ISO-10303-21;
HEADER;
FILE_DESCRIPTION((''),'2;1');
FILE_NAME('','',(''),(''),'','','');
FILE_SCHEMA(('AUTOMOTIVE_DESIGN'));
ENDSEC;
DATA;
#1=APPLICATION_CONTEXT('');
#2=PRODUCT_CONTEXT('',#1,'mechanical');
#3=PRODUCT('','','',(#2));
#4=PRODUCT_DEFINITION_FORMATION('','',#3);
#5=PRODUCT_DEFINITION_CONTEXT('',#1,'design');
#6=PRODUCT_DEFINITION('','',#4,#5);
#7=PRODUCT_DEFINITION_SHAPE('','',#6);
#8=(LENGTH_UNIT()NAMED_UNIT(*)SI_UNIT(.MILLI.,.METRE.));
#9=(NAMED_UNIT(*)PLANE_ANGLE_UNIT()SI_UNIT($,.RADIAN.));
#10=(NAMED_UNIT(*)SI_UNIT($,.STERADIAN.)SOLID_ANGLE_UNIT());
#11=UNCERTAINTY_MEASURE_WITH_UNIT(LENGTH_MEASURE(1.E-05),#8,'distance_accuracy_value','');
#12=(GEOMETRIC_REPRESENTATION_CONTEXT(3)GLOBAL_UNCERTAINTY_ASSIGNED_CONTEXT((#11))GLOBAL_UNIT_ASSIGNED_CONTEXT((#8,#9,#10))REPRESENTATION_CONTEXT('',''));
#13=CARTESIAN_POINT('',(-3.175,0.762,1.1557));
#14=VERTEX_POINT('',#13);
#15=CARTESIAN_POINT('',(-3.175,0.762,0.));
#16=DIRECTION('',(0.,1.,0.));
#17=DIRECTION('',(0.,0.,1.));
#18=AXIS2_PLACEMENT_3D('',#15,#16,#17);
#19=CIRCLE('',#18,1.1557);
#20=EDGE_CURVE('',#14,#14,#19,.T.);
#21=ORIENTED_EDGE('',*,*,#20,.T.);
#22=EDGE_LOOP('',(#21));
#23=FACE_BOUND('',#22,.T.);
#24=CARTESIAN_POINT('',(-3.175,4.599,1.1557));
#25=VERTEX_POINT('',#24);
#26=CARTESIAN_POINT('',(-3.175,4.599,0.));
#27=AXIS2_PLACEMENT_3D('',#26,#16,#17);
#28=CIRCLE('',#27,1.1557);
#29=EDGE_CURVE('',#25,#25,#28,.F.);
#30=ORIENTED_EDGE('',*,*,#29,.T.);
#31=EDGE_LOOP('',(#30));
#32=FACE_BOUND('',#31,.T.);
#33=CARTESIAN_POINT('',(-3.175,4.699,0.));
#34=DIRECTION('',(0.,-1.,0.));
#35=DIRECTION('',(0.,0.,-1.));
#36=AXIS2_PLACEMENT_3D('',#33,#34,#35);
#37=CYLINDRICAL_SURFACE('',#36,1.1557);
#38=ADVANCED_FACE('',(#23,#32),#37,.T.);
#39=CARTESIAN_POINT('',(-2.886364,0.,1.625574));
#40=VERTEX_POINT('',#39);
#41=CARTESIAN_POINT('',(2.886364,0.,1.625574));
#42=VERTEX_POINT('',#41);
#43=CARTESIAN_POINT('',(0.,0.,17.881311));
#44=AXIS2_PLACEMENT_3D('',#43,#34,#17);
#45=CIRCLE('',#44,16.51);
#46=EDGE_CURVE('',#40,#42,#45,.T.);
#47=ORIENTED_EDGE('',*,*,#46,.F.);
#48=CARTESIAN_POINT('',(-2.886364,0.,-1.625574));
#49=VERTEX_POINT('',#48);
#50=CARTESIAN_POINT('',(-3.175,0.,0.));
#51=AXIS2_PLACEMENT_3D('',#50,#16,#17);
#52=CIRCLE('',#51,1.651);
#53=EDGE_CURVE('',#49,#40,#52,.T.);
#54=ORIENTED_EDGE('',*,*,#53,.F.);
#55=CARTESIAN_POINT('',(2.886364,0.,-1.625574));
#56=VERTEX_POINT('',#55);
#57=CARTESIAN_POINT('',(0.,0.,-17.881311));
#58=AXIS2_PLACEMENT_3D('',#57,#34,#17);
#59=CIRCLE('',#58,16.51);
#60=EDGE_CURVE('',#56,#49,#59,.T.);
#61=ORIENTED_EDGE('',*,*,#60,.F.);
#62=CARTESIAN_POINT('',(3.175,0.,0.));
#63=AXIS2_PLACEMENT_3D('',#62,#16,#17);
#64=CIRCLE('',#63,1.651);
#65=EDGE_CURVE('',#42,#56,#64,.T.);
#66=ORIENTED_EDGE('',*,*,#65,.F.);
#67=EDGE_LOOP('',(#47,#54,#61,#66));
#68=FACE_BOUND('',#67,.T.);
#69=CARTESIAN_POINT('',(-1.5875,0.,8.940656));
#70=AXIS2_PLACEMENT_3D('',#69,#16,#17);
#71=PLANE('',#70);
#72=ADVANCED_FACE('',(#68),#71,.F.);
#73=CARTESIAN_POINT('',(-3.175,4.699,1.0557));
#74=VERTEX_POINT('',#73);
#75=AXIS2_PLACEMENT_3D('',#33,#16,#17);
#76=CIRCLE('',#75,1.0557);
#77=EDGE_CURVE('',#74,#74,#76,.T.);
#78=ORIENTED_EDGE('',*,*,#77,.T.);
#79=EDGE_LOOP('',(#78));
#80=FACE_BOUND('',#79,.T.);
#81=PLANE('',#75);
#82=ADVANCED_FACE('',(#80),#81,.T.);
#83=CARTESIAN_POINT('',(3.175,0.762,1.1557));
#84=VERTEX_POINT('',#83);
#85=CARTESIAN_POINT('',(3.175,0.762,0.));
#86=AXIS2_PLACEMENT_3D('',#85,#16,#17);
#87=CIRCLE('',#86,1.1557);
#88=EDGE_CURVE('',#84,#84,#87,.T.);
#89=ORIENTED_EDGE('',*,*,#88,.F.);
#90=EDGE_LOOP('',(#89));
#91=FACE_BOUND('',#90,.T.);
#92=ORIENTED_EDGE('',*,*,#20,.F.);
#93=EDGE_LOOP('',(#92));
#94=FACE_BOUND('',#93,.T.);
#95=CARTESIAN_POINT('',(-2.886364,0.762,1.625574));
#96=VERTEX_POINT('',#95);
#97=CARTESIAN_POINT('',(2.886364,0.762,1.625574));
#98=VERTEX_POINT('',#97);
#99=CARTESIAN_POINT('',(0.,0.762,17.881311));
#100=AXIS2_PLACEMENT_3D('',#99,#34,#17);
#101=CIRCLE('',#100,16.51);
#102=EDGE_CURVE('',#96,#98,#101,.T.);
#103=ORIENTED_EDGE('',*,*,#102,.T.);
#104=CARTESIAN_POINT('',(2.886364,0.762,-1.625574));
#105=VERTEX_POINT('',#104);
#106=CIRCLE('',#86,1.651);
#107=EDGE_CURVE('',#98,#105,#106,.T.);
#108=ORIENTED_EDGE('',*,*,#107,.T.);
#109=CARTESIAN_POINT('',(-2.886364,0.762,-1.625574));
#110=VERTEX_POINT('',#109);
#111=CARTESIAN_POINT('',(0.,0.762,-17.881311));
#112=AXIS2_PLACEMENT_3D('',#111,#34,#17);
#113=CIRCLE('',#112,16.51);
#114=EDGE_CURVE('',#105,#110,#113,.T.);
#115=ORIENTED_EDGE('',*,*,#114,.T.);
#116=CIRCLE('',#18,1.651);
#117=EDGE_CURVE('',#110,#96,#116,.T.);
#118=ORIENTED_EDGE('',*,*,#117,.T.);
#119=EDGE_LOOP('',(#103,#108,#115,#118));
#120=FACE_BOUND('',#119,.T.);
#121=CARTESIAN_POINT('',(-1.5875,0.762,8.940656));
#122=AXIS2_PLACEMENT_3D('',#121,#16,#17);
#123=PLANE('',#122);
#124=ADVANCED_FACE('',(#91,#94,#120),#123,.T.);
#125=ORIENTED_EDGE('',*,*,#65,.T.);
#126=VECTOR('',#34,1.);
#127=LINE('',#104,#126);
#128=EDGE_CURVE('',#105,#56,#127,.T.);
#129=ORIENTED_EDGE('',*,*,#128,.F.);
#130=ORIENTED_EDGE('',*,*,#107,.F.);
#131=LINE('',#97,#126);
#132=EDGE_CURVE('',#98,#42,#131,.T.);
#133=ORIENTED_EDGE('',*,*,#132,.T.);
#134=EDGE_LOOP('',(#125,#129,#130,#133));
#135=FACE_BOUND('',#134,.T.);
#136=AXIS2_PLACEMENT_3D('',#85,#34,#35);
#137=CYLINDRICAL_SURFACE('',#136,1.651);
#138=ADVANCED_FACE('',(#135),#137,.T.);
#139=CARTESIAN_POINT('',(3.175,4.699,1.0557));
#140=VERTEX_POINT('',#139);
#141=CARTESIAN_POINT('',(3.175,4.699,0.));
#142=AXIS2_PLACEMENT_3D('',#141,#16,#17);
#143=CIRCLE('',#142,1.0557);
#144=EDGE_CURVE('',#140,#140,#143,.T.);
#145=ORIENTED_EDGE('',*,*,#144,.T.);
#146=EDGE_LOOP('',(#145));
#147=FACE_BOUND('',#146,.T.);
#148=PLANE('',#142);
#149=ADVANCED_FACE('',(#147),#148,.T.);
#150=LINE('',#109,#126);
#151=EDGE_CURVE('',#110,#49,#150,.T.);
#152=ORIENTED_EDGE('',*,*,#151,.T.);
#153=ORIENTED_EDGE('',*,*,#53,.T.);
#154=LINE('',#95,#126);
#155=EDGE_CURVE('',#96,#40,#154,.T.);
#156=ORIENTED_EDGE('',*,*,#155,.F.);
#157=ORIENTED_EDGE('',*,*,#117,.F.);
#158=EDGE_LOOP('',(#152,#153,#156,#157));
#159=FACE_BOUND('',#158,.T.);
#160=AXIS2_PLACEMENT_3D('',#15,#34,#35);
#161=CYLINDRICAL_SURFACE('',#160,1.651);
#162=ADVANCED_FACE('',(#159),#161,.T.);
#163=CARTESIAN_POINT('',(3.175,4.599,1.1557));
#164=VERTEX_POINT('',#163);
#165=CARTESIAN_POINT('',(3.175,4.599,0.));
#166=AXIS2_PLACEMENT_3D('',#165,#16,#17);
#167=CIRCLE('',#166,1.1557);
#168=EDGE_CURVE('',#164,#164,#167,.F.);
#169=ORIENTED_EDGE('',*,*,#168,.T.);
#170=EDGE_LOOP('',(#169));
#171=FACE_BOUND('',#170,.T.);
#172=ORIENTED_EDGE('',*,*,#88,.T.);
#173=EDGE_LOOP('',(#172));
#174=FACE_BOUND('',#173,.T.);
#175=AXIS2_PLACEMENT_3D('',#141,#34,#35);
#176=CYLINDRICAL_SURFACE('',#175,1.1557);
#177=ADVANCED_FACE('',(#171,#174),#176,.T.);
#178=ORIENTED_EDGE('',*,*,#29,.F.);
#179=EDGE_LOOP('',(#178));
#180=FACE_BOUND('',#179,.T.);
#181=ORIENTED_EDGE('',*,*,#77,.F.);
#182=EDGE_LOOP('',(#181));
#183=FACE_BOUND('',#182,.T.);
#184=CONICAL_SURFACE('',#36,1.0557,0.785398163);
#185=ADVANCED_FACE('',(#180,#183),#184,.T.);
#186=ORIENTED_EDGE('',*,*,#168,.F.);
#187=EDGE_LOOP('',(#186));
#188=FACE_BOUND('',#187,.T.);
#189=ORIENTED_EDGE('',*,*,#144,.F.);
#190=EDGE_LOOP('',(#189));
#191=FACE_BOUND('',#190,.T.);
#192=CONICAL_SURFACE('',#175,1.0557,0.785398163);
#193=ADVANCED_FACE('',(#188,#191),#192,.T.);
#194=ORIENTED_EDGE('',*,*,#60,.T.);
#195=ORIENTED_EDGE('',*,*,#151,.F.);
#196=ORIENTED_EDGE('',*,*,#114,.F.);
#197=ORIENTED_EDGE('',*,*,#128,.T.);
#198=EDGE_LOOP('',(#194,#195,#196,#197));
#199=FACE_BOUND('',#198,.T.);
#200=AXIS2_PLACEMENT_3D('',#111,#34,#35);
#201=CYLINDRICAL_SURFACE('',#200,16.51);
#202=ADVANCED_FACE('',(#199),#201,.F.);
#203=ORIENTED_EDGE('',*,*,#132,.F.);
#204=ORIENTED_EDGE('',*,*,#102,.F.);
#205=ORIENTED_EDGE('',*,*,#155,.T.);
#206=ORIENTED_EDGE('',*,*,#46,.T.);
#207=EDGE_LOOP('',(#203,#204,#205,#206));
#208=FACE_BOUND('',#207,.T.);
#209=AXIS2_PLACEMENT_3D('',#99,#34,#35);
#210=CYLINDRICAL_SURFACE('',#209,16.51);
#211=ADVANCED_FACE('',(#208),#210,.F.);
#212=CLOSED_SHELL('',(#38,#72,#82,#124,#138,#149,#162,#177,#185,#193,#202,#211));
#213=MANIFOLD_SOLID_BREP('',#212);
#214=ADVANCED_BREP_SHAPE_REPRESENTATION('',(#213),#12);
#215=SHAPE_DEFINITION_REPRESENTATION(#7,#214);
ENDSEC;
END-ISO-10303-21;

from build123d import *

# Parameters (mm, degrees)
BOSS_EXTRUDE1_DEPTH = 0.762
SKETCH3_R           = 1.1557
BOSS_EXTRUDE2_DEPTH = 3.937
CHAMFER1_SIZE       = 0.1


with BuildPart() as part:
    # Sketch2 → Boss-Extrude1 (new body)
    with BuildSketch(Plane(origin=(0, 0, 0), x_dir=(1, 0, 0), z_dir=(0, 1, 0))):
        with BuildLine():
            ThreePointArc((-2.886363636, 1.62557376), (-4.826, 0), (-2.886363636, -1.62557376))
            ThreePointArc((-2.886363636, -1.62557376), (0, -1.371311361), (2.886363636, -1.62557376))
            ThreePointArc((2.886363636, -1.62557376), (4.826, 0), (2.886363636, 1.62557376))
            ThreePointArc((2.886363636, 1.62557376), (0, 1.371311361), (-2.886363636, 1.62557376))
        make_face()
    extrude(amount=BOSS_EXTRUDE1_DEPTH)

    # Sketch3 → Boss-Extrude2 (add)
    with BuildSketch(Plane(origin=(0, 0.762, 0), x_dir=(1, 0, 0), z_dir=(0, 1, 0))):
        with Locations(Location((-3.175, 0, 0), (0, 0, 270))):
            Circle(SKETCH3_R)
        with Locations(Location((3.175, 0, 0), (0, 0, 270))):
            Circle(SKETCH3_R)
    extrude(amount=BOSS_EXTRUDE2_DEPTH)

    # Chamfer1
    chamfer1_edges = [part.edges().sort_by_distance(p)[0] for p in [
        (-3.175, 4.699, -1.1557),
        (3.175, 4.699, -1.1557),
    ]]
    chamfer(chamfer1_edges, length=CHAMFER1_SIZE)


solid = part.part
